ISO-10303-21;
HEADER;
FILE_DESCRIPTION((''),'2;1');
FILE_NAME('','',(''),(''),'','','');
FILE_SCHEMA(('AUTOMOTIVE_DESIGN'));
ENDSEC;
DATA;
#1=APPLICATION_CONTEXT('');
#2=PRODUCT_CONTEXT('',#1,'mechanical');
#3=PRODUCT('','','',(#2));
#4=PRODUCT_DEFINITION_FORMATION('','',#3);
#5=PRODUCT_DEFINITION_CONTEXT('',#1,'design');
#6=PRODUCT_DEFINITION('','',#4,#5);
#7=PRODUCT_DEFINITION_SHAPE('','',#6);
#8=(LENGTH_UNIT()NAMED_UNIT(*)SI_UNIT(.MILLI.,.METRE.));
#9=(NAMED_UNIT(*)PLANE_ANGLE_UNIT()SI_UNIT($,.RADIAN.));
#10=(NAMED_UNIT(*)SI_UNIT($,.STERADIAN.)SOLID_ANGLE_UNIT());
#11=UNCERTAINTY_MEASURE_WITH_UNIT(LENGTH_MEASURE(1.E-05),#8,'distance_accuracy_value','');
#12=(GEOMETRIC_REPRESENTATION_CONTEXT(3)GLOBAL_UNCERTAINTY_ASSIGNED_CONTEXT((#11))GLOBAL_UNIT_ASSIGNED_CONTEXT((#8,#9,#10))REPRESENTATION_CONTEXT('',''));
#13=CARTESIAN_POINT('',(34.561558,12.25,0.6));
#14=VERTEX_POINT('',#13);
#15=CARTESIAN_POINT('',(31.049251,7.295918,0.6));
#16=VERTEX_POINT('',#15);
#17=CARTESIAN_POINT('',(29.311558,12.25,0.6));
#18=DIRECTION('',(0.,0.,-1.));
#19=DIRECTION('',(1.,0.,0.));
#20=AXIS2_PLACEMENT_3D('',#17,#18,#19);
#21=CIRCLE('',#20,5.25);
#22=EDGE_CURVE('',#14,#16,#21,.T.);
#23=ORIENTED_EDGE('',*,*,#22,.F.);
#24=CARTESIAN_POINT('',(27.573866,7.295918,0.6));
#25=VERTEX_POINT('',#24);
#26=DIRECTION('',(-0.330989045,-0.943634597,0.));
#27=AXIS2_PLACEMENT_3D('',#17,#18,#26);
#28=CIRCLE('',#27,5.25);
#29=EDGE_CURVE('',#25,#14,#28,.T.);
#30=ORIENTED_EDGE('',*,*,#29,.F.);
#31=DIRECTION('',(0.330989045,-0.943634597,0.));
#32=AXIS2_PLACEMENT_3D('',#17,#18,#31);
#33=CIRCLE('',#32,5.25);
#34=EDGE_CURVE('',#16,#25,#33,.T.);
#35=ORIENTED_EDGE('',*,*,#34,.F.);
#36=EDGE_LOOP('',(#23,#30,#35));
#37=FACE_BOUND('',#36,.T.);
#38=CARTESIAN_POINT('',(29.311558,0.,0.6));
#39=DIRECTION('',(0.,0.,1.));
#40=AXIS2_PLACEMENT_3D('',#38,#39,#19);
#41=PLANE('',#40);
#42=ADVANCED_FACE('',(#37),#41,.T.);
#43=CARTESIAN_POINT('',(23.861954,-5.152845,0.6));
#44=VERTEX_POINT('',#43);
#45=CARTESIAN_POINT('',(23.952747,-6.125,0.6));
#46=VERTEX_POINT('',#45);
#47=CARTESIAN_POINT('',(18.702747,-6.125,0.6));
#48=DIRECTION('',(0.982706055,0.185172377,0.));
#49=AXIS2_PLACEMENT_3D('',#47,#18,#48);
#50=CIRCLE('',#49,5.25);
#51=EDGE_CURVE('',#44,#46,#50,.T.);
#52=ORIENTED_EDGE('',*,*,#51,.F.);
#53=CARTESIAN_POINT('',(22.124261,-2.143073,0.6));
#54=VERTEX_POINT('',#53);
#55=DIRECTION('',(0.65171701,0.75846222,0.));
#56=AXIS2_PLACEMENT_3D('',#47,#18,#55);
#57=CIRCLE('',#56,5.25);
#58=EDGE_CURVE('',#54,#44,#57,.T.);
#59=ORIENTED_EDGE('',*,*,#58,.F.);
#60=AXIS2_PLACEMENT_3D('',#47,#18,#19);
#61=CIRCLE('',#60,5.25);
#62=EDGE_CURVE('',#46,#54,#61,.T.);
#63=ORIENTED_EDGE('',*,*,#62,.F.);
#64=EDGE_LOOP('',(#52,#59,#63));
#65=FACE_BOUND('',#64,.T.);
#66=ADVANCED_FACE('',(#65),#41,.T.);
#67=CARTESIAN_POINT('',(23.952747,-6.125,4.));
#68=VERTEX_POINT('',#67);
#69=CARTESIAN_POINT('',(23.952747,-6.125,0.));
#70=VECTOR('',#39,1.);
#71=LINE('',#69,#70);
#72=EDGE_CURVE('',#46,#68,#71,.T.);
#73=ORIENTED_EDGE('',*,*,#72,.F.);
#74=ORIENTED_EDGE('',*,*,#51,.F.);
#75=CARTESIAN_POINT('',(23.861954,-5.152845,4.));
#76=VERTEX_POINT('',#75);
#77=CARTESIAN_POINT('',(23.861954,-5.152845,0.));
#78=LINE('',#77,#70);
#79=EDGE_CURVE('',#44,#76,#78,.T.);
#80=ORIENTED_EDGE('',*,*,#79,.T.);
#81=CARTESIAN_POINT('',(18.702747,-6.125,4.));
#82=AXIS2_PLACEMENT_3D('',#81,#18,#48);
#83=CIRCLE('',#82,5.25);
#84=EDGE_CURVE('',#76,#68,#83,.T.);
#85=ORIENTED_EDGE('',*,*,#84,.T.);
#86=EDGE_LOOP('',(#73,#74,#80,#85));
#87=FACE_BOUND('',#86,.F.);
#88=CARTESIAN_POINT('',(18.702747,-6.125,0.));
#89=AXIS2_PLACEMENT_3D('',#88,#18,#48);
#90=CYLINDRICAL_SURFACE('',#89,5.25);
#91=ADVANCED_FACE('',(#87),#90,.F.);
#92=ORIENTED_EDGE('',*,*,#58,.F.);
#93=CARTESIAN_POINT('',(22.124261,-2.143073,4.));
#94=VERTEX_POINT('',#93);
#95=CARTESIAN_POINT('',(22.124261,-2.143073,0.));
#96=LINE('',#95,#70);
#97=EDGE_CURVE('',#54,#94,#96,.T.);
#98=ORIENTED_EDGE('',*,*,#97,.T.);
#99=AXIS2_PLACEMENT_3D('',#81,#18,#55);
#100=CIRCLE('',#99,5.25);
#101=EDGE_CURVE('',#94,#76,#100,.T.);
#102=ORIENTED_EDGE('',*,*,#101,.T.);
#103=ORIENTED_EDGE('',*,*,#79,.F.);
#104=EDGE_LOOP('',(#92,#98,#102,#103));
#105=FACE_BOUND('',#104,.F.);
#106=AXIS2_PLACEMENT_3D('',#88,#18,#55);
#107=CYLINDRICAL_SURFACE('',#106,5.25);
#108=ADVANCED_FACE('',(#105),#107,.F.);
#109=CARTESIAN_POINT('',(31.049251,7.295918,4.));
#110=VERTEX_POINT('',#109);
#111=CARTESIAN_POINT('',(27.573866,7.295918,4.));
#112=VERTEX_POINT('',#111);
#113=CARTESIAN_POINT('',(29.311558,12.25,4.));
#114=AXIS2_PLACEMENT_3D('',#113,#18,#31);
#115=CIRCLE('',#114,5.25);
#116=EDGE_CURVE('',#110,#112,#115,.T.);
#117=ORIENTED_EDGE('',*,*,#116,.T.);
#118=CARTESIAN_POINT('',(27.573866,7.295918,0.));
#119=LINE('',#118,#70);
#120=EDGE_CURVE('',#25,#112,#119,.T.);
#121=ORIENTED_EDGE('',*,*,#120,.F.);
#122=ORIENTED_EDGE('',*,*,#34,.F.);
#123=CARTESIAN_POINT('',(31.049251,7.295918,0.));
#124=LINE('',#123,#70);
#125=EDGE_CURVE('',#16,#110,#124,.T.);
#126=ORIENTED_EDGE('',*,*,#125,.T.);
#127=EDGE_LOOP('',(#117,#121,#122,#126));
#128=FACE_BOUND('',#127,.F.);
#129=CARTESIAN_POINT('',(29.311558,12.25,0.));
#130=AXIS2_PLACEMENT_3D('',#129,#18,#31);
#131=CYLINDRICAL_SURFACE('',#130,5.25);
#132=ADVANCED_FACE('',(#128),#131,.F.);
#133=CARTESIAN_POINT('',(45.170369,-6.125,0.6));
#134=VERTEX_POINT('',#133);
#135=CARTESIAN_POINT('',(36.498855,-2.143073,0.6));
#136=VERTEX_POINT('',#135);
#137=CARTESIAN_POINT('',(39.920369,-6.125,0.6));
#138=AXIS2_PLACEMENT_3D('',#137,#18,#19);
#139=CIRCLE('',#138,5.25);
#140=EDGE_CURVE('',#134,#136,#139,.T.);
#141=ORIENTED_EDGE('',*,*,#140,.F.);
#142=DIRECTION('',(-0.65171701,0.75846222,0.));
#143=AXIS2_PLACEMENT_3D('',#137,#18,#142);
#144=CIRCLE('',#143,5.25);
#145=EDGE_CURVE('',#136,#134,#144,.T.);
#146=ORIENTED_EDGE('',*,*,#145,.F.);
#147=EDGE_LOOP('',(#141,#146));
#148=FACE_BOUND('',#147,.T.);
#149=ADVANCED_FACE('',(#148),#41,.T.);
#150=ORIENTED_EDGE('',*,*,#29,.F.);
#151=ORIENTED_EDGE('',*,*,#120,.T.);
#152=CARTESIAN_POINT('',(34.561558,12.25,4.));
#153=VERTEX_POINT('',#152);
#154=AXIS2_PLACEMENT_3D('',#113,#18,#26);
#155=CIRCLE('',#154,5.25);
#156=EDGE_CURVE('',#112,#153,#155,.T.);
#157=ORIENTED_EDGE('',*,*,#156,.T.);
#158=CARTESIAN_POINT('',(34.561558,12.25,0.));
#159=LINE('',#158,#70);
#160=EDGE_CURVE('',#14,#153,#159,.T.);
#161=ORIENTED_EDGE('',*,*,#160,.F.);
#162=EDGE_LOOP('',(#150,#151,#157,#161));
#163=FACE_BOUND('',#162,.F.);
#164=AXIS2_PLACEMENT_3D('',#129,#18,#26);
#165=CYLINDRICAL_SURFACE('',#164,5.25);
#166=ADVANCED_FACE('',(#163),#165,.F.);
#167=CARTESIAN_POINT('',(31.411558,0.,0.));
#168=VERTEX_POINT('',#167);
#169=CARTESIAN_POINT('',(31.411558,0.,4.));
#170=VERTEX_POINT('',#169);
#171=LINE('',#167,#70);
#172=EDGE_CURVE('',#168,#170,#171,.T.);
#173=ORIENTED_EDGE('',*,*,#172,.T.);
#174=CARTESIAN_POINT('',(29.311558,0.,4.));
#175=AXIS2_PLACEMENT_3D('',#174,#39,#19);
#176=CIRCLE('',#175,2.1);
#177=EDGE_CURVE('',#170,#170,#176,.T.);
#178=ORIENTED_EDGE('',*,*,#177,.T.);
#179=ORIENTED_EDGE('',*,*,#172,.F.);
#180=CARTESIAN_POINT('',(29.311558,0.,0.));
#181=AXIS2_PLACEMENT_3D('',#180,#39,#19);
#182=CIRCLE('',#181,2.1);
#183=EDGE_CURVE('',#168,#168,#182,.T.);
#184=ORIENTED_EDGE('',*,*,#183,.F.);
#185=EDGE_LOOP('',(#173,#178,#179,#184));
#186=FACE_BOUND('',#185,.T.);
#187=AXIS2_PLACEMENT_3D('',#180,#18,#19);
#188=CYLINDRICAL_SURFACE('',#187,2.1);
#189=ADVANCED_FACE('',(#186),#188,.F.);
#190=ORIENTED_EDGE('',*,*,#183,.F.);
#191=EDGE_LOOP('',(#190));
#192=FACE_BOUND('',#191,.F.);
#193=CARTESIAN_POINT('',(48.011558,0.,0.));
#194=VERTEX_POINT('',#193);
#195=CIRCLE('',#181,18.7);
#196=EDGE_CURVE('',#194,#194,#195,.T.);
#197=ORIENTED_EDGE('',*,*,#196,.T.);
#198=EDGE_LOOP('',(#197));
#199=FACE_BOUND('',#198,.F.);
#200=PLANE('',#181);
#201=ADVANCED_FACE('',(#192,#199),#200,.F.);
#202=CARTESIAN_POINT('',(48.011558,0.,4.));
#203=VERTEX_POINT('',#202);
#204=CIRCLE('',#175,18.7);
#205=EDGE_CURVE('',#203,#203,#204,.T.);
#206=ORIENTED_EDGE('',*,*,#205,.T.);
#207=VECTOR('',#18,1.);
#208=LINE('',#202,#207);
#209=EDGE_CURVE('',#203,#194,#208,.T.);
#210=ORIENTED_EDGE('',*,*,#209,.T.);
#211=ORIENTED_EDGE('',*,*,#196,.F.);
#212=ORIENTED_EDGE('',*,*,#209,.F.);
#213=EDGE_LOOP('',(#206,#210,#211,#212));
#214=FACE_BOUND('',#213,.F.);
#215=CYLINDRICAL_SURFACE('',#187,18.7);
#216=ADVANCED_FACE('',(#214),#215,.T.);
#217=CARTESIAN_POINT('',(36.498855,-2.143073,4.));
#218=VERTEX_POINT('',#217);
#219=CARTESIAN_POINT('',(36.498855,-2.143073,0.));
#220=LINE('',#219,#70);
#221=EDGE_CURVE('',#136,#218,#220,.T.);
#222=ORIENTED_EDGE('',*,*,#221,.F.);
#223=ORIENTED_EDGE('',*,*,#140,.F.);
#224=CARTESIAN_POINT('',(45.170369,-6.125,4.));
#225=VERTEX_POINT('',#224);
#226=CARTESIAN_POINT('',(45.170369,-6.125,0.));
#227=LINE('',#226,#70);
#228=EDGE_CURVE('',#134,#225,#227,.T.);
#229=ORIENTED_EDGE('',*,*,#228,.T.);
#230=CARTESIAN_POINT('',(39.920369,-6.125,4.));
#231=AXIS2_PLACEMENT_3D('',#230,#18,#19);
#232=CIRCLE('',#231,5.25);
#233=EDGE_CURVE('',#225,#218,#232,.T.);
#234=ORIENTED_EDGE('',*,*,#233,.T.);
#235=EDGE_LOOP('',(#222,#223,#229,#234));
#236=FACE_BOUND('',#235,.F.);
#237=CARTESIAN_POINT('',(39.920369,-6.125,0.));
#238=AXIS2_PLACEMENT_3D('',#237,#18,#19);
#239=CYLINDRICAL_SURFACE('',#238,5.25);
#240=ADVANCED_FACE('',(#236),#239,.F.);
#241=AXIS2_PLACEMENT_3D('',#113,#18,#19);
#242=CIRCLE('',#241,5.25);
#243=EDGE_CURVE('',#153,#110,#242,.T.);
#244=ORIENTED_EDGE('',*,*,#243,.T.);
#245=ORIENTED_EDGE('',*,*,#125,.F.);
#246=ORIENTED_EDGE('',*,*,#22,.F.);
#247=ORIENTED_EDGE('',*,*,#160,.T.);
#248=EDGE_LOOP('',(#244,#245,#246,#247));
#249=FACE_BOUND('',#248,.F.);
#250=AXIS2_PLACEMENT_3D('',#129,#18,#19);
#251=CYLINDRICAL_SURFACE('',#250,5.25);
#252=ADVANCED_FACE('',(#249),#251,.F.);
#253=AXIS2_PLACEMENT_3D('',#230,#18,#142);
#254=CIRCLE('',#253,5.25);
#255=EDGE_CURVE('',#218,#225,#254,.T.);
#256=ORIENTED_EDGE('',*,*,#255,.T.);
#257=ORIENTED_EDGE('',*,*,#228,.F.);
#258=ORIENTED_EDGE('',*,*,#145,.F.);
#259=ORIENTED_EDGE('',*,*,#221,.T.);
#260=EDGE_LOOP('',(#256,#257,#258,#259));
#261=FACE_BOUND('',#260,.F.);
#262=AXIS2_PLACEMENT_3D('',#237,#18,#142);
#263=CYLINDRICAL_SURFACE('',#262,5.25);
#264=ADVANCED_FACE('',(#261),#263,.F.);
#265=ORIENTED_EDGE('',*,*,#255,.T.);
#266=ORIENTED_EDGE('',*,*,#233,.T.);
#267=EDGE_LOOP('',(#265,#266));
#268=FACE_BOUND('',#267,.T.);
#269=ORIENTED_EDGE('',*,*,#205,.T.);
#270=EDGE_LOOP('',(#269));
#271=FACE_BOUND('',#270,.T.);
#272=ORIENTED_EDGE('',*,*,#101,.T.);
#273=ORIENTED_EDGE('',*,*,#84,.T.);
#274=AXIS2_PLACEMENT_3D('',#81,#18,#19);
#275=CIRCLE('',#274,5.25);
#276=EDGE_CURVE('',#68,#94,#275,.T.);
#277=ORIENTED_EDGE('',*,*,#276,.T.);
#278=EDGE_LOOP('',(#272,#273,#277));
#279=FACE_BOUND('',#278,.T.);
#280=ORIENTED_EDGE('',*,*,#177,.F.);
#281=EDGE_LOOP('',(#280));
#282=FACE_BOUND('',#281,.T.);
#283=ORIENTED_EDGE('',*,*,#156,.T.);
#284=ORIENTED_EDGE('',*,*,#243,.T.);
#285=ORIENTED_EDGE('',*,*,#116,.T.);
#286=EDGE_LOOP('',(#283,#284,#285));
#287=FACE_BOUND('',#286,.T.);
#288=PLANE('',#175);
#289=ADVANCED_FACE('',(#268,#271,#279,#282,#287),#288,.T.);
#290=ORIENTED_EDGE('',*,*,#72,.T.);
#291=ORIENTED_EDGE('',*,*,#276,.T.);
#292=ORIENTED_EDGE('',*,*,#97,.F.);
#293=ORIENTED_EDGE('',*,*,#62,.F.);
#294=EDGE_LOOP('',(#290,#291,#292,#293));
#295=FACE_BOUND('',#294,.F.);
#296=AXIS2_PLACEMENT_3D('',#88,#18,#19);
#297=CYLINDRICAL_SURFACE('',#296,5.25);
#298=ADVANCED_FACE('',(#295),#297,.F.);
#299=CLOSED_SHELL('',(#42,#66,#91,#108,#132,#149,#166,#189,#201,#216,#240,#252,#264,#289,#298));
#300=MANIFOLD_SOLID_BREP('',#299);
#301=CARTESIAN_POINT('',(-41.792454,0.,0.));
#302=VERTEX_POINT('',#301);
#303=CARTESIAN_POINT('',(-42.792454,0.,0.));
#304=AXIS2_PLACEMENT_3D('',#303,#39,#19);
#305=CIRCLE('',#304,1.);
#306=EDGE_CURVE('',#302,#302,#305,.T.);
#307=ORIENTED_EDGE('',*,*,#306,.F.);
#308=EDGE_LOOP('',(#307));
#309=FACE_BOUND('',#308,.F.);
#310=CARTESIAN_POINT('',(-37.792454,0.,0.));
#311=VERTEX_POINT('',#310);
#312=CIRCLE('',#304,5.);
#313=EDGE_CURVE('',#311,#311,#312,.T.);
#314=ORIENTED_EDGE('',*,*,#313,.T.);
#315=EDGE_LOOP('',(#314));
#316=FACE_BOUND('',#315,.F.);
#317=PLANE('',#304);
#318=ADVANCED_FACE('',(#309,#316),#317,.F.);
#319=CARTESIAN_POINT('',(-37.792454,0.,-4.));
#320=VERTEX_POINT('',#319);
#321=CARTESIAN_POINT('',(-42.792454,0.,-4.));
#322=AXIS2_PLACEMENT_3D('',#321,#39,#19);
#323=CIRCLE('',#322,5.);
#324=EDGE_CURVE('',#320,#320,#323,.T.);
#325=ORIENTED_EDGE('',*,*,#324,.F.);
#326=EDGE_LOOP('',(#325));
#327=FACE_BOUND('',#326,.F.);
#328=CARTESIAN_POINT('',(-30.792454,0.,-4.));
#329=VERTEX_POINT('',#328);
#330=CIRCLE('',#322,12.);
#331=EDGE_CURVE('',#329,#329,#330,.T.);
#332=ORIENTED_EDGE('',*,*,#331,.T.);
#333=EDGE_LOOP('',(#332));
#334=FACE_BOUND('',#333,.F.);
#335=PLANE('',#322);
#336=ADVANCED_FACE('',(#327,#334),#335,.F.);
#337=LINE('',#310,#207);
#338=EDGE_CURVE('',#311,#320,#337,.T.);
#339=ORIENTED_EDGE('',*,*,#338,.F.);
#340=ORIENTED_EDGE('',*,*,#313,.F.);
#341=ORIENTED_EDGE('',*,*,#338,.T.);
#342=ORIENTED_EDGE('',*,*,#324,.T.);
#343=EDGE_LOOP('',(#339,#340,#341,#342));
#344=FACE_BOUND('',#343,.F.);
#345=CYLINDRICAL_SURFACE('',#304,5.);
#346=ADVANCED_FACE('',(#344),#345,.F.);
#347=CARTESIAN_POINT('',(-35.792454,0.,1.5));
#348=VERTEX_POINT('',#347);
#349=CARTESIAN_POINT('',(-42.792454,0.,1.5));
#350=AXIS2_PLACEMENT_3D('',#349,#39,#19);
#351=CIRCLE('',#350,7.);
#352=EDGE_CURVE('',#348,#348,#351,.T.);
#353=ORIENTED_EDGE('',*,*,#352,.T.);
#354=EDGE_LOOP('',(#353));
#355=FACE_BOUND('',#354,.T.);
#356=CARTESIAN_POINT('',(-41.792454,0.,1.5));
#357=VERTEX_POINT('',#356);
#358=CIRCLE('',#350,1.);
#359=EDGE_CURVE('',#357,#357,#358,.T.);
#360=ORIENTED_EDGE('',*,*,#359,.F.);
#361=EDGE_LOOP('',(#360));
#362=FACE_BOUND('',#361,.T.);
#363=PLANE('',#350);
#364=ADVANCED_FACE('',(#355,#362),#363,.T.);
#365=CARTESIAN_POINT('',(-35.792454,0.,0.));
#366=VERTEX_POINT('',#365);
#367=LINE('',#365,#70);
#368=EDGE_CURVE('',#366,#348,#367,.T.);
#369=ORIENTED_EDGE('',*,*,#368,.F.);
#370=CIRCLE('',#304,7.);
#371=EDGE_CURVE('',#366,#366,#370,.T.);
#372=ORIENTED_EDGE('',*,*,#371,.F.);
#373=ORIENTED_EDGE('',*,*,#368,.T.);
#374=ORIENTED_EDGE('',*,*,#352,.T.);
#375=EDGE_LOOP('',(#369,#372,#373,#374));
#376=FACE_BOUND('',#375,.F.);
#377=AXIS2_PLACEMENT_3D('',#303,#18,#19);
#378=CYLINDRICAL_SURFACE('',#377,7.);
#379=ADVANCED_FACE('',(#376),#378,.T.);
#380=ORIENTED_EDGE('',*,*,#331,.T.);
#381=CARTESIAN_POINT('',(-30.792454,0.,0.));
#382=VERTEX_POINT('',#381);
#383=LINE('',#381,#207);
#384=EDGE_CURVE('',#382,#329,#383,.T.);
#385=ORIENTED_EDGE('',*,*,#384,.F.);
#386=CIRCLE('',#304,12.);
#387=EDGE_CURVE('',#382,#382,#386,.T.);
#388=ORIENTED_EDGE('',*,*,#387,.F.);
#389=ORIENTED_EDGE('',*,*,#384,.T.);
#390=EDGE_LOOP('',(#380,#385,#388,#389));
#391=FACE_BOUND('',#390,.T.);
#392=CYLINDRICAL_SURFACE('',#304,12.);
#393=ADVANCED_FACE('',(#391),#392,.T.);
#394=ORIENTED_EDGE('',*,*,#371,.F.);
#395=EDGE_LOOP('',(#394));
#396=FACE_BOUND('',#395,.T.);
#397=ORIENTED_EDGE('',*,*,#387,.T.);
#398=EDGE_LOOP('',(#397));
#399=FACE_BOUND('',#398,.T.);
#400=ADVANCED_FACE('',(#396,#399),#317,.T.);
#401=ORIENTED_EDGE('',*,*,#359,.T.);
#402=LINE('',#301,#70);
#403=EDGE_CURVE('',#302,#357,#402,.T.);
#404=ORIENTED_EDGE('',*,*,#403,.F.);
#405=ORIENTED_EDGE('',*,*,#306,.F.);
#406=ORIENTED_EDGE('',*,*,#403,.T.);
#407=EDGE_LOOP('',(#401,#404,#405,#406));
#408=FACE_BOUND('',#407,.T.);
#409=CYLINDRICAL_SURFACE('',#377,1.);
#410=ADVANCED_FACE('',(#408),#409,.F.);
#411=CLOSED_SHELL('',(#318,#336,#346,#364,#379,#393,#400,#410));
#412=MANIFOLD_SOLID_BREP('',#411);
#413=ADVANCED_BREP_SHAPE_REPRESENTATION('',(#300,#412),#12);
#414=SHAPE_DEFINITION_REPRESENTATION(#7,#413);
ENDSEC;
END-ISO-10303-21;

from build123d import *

# Parameters (mm, degrees)
F0_R     = 12
F0_R_2   = 7
F0_R_3   = 5
F1_DEPTH = 4
F0_R_4   = 4
F0_R_5   = 1
F2_DEPTH = 1.5
F0_R_6   = 18.7
F0_R_7   = 3.75
F0_R_8   = 2.1
F3_DEPTH = 0.6
F4_DEPTH = 4


with BuildPart() as f1:
    # F0 (on Top) → F1 (new body)
    with BuildSketch(Plane.XY):
        with Locations((-42.7924543619, 0)):
            Circle(F0_R)
        with Locations((-42.7924543619, 0)):
            Circle(F0_R_2, mode=Mode.SUBTRACT)
        with Locations((-42.7924543619, 0)):
            Circle(F0_R_2)
        with Locations((-42.7924543619, 0)):
            Circle(F0_R_3, mode=Mode.SUBTRACT)
    extrude(amount=-F1_DEPTH)

    # F0 (on Top) → F2 (join)
    with BuildSketch(Plane.XY):
        with Locations((-42.7924543619, 0)):
            Circle(F0_R_2)
        with Locations((-42.7924543619, 0)):
            Circle(F0_R_3, mode=Mode.SUBTRACT)
        with Locations((-42.7924543619, 0)):
            Circle(F0_R_3)
        with Locations((-42.7924543619, 0)):
            Circle(F0_R_4, mode=Mode.SUBTRACT)
        with Locations((-42.7924543619, 0)):
            Circle(F0_R_4)
        with Locations((-42.7924543619, 0)):
            Circle(F0_R_5, mode=Mode.SUBTRACT)
    extrude(amount=F2_DEPTH)


with BuildPart() as f3:
    # F0 (on Top) → F3 (new body)
    with BuildSketch(Plane.XY):
        with Locations((29.3115582317, 0)):
            Circle(F0_R_6)
        with BuildLine():
            ThreePointArc((27.5738657454, 7.2959183673), (26.2751446855, 16.5328370009), (34.5615582317, 12.25))
            ThreePointArc((34.5615582317, 12.25), (33.5943952326, 9.2135864538), (31.049250718, 7.2959183673))
            ThreePointArc((31.049250718, 7.2959183673), (35.1972482358, 4.6485108558), (36.8115582317, 0))
            ThreePointArc((36.8115582317, 0), (36.7329707219, -1.0828834889), (36.4988551249, -2.1430733466))
            ThreePointArc((36.4988551249, -2.1430733466), (42.1112082981, -1.3539702321), (45.1703694281, -6.125))
            ThreePointArc((45.1703694281, -6.125), (39.4321766612, -11.3522524162), (34.7611626386, -5.1528450208))
            ThreePointArc((34.7611626386, -5.1528450208), (29.3115582317, -7.5), (23.8619538248, -5.1528450208))
            ThreePointArc((23.8619538248, -5.1528450208), (23.9299994515, -5.6368072331), (23.9527470354, -6.125))
            ThreePointArc((23.9527470354, -6.125), (13.9317172675, -8.31583887), (22.1242613385, -2.1430733466))
            ThreePointArc((22.1242613385, -2.1430733466), (22.8163677033, 3.75), (27.5738657454, 7.2959183673))
        make_face(mode=Mode.SUBTRACT)
        with BuildLine():
            ThreePointArc((31.049250718, 7.2959183673), (29.3115582317, 7), (27.5738657454, 7.2959183673))
            ThreePointArc((27.5738657454, 7.2959183673), (22.8163677033, 3.75), (22.1242613385, -2.1430733466))
            ThreePointArc((22.1242613385, -2.1430733466), (23.2493804052, -3.5), (23.8619538248, -5.1528450208))
            ThreePointArc((23.8619538248, -5.1528450208), (29.3115582317, -7.5), (34.7611626386, -5.1528450208))
            ThreePointArc((34.7611626386, -5.1528450208), (35.3737360582, -3.5), (36.4988551249, -2.1430733466))
            ThreePointArc((36.4988551249, -2.1430733466), (36.7329707219, -1.0828834889), (36.8115582317, 0))
            ThreePointArc((36.8115582317, 0), (35.1972482358, 4.6485108558), (31.049250718, 7.2959183673))
        make_face()
        with Locations((29.3115582317, 0)):
            Circle(F0_R_7, mode=Mode.SUBTRACT)
        with BuildLine():
            ThreePointArc((23.8619538248, -5.1528450208), (22.8163677033, -3.75), (22.1242613385, -2.1430733466))
            ThreePointArc((22.1242613385, -2.1430733466), (13.9317172675, -8.31583887), (23.9527470354, -6.125))
            ThreePointArc((23.9527470354, -6.125), (23.9299994515, -5.6368072331), (23.8619538248, -5.1528450208))
        make_face()
        with BuildLine():
            ThreePointArc((31.049250718, 7.2959183673), (33.5943952326, 9.2135864538), (34.5615582317, 12.25))
            ThreePointArc((34.5615582317, 12.25), (26.2751446855, 16.5328370009), (27.5738657454, 7.2959183673))
            ThreePointArc((27.5738657454, 7.2959183673), (29.3115582317, 7.5), (31.049250718, 7.2959183673))
        make_face()
        with BuildLine():
            ThreePointArc((45.1703694281, -6.125), (42.1112082981, -1.3539702321), (36.4988551249, -2.1430733466))
            ThreePointArc((36.4988551249, -2.1430733466), (35.8067487601, -3.75), (34.7611626386, -5.1528450208))
            ThreePointArc((34.7611626386, -5.1528450208), (39.4321766612, -11.3522524162), (45.1703694281, -6.125))
        make_face()
        with Locations((29.3115582317, 0)):
            Circle(F0_R_7)
        with Locations((29.3115582317, 0)):
            Circle(F0_R_8, mode=Mode.SUBTRACT)
        with BuildLine():
            ThreePointArc((23.8619538248, -5.1528450208), (23.2493804052, -3.5), (22.1242613385, -2.1430733466))
            ThreePointArc((22.1242613385, -2.1430733466), (22.8163677033, -3.75), (23.8619538248, -5.1528450208))
        make_face()
        with BuildLine():
            ThreePointArc((31.049250718, 7.2959183673), (29.3115582317, 7.5), (27.5738657454, 7.2959183673))
            ThreePointArc((27.5738657454, 7.2959183673), (29.3115582317, 7), (31.049250718, 7.2959183673))
        make_face()
        with BuildLine():
            ThreePointArc((34.7611626386, -5.1528450208), (35.8067487601, -3.75), (36.4988551249, -2.1430733466))
            ThreePointArc((36.4988551249, -2.1430733466), (35.3737360582, -3.5), (34.7611626386, -5.1528450208))
        make_face()
    extrude(amount=F3_DEPTH)

    # F0 (on Top) → F4 (join)
    with BuildSketch(Plane.XY):
        with Locations((29.3115582317, 0)):
            Circle(F0_R_6)
        with BuildLine():
            ThreePointArc((27.5738657454, 7.2959183673), (26.2751446855, 16.5328370009), (34.5615582317, 12.25))
            ThreePointArc((34.5615582317, 12.25), (33.5943952326, 9.2135864538), (31.049250718, 7.2959183673))
            ThreePointArc((31.049250718, 7.2959183673), (35.1972482358, 4.6485108558), (36.8115582317, 0))
            ThreePointArc((36.8115582317, 0), (36.7329707219, -1.0828834889), (36.4988551249, -2.1430733466))
            ThreePointArc((36.4988551249, -2.1430733466), (42.1112082981, -1.3539702321), (45.1703694281, -6.125))
            ThreePointArc((45.1703694281, -6.125), (39.4321766612, -11.3522524162), (34.7611626386, -5.1528450208))
            ThreePointArc((34.7611626386, -5.1528450208), (29.3115582317, -7.5), (23.8619538248, -5.1528450208))
            ThreePointArc((23.8619538248, -5.1528450208), (23.9299994515, -5.6368072331), (23.9527470354, -6.125))
            ThreePointArc((23.9527470354, -6.125), (13.9317172675, -8.31583887), (22.1242613385, -2.1430733466))
            ThreePointArc((22.1242613385, -2.1430733466), (22.8163677033, 3.75), (27.5738657454, 7.2959183673))
        make_face(mode=Mode.SUBTRACT)
        with BuildLine():
            ThreePointArc((31.049250718, 7.2959183673), (29.3115582317, 7), (27.5738657454, 7.2959183673))
            ThreePointArc((27.5738657454, 7.2959183673), (22.8163677033, 3.75), (22.1242613385, -2.1430733466))
            ThreePointArc((22.1242613385, -2.1430733466), (23.2493804052, -3.5), (23.8619538248, -5.1528450208))
            ThreePointArc((23.8619538248, -5.1528450208), (29.3115582317, -7.5), (34.7611626386, -5.1528450208))
            ThreePointArc((34.7611626386, -5.1528450208), (35.3737360582, -3.5), (36.4988551249, -2.1430733466))
            ThreePointArc((36.4988551249, -2.1430733466), (36.7329707219, -1.0828834889), (36.8115582317, 0))
            ThreePointArc((36.8115582317, 0), (35.1972482358, 4.6485108558), (31.049250718, 7.2959183673))
        make_face()
        with Locations((29.3115582317, 0)):
            Circle(F0_R_7, mode=Mode.SUBTRACT)
        with Locations((29.3115582317, 0)):
            Circle(F0_R_7)
        with Locations((29.3115582317, 0)):
            Circle(F0_R_8, mode=Mode.SUBTRACT)
    extrude(amount=F4_DEPTH)


solid = Compound([f1.part, f3.part])
